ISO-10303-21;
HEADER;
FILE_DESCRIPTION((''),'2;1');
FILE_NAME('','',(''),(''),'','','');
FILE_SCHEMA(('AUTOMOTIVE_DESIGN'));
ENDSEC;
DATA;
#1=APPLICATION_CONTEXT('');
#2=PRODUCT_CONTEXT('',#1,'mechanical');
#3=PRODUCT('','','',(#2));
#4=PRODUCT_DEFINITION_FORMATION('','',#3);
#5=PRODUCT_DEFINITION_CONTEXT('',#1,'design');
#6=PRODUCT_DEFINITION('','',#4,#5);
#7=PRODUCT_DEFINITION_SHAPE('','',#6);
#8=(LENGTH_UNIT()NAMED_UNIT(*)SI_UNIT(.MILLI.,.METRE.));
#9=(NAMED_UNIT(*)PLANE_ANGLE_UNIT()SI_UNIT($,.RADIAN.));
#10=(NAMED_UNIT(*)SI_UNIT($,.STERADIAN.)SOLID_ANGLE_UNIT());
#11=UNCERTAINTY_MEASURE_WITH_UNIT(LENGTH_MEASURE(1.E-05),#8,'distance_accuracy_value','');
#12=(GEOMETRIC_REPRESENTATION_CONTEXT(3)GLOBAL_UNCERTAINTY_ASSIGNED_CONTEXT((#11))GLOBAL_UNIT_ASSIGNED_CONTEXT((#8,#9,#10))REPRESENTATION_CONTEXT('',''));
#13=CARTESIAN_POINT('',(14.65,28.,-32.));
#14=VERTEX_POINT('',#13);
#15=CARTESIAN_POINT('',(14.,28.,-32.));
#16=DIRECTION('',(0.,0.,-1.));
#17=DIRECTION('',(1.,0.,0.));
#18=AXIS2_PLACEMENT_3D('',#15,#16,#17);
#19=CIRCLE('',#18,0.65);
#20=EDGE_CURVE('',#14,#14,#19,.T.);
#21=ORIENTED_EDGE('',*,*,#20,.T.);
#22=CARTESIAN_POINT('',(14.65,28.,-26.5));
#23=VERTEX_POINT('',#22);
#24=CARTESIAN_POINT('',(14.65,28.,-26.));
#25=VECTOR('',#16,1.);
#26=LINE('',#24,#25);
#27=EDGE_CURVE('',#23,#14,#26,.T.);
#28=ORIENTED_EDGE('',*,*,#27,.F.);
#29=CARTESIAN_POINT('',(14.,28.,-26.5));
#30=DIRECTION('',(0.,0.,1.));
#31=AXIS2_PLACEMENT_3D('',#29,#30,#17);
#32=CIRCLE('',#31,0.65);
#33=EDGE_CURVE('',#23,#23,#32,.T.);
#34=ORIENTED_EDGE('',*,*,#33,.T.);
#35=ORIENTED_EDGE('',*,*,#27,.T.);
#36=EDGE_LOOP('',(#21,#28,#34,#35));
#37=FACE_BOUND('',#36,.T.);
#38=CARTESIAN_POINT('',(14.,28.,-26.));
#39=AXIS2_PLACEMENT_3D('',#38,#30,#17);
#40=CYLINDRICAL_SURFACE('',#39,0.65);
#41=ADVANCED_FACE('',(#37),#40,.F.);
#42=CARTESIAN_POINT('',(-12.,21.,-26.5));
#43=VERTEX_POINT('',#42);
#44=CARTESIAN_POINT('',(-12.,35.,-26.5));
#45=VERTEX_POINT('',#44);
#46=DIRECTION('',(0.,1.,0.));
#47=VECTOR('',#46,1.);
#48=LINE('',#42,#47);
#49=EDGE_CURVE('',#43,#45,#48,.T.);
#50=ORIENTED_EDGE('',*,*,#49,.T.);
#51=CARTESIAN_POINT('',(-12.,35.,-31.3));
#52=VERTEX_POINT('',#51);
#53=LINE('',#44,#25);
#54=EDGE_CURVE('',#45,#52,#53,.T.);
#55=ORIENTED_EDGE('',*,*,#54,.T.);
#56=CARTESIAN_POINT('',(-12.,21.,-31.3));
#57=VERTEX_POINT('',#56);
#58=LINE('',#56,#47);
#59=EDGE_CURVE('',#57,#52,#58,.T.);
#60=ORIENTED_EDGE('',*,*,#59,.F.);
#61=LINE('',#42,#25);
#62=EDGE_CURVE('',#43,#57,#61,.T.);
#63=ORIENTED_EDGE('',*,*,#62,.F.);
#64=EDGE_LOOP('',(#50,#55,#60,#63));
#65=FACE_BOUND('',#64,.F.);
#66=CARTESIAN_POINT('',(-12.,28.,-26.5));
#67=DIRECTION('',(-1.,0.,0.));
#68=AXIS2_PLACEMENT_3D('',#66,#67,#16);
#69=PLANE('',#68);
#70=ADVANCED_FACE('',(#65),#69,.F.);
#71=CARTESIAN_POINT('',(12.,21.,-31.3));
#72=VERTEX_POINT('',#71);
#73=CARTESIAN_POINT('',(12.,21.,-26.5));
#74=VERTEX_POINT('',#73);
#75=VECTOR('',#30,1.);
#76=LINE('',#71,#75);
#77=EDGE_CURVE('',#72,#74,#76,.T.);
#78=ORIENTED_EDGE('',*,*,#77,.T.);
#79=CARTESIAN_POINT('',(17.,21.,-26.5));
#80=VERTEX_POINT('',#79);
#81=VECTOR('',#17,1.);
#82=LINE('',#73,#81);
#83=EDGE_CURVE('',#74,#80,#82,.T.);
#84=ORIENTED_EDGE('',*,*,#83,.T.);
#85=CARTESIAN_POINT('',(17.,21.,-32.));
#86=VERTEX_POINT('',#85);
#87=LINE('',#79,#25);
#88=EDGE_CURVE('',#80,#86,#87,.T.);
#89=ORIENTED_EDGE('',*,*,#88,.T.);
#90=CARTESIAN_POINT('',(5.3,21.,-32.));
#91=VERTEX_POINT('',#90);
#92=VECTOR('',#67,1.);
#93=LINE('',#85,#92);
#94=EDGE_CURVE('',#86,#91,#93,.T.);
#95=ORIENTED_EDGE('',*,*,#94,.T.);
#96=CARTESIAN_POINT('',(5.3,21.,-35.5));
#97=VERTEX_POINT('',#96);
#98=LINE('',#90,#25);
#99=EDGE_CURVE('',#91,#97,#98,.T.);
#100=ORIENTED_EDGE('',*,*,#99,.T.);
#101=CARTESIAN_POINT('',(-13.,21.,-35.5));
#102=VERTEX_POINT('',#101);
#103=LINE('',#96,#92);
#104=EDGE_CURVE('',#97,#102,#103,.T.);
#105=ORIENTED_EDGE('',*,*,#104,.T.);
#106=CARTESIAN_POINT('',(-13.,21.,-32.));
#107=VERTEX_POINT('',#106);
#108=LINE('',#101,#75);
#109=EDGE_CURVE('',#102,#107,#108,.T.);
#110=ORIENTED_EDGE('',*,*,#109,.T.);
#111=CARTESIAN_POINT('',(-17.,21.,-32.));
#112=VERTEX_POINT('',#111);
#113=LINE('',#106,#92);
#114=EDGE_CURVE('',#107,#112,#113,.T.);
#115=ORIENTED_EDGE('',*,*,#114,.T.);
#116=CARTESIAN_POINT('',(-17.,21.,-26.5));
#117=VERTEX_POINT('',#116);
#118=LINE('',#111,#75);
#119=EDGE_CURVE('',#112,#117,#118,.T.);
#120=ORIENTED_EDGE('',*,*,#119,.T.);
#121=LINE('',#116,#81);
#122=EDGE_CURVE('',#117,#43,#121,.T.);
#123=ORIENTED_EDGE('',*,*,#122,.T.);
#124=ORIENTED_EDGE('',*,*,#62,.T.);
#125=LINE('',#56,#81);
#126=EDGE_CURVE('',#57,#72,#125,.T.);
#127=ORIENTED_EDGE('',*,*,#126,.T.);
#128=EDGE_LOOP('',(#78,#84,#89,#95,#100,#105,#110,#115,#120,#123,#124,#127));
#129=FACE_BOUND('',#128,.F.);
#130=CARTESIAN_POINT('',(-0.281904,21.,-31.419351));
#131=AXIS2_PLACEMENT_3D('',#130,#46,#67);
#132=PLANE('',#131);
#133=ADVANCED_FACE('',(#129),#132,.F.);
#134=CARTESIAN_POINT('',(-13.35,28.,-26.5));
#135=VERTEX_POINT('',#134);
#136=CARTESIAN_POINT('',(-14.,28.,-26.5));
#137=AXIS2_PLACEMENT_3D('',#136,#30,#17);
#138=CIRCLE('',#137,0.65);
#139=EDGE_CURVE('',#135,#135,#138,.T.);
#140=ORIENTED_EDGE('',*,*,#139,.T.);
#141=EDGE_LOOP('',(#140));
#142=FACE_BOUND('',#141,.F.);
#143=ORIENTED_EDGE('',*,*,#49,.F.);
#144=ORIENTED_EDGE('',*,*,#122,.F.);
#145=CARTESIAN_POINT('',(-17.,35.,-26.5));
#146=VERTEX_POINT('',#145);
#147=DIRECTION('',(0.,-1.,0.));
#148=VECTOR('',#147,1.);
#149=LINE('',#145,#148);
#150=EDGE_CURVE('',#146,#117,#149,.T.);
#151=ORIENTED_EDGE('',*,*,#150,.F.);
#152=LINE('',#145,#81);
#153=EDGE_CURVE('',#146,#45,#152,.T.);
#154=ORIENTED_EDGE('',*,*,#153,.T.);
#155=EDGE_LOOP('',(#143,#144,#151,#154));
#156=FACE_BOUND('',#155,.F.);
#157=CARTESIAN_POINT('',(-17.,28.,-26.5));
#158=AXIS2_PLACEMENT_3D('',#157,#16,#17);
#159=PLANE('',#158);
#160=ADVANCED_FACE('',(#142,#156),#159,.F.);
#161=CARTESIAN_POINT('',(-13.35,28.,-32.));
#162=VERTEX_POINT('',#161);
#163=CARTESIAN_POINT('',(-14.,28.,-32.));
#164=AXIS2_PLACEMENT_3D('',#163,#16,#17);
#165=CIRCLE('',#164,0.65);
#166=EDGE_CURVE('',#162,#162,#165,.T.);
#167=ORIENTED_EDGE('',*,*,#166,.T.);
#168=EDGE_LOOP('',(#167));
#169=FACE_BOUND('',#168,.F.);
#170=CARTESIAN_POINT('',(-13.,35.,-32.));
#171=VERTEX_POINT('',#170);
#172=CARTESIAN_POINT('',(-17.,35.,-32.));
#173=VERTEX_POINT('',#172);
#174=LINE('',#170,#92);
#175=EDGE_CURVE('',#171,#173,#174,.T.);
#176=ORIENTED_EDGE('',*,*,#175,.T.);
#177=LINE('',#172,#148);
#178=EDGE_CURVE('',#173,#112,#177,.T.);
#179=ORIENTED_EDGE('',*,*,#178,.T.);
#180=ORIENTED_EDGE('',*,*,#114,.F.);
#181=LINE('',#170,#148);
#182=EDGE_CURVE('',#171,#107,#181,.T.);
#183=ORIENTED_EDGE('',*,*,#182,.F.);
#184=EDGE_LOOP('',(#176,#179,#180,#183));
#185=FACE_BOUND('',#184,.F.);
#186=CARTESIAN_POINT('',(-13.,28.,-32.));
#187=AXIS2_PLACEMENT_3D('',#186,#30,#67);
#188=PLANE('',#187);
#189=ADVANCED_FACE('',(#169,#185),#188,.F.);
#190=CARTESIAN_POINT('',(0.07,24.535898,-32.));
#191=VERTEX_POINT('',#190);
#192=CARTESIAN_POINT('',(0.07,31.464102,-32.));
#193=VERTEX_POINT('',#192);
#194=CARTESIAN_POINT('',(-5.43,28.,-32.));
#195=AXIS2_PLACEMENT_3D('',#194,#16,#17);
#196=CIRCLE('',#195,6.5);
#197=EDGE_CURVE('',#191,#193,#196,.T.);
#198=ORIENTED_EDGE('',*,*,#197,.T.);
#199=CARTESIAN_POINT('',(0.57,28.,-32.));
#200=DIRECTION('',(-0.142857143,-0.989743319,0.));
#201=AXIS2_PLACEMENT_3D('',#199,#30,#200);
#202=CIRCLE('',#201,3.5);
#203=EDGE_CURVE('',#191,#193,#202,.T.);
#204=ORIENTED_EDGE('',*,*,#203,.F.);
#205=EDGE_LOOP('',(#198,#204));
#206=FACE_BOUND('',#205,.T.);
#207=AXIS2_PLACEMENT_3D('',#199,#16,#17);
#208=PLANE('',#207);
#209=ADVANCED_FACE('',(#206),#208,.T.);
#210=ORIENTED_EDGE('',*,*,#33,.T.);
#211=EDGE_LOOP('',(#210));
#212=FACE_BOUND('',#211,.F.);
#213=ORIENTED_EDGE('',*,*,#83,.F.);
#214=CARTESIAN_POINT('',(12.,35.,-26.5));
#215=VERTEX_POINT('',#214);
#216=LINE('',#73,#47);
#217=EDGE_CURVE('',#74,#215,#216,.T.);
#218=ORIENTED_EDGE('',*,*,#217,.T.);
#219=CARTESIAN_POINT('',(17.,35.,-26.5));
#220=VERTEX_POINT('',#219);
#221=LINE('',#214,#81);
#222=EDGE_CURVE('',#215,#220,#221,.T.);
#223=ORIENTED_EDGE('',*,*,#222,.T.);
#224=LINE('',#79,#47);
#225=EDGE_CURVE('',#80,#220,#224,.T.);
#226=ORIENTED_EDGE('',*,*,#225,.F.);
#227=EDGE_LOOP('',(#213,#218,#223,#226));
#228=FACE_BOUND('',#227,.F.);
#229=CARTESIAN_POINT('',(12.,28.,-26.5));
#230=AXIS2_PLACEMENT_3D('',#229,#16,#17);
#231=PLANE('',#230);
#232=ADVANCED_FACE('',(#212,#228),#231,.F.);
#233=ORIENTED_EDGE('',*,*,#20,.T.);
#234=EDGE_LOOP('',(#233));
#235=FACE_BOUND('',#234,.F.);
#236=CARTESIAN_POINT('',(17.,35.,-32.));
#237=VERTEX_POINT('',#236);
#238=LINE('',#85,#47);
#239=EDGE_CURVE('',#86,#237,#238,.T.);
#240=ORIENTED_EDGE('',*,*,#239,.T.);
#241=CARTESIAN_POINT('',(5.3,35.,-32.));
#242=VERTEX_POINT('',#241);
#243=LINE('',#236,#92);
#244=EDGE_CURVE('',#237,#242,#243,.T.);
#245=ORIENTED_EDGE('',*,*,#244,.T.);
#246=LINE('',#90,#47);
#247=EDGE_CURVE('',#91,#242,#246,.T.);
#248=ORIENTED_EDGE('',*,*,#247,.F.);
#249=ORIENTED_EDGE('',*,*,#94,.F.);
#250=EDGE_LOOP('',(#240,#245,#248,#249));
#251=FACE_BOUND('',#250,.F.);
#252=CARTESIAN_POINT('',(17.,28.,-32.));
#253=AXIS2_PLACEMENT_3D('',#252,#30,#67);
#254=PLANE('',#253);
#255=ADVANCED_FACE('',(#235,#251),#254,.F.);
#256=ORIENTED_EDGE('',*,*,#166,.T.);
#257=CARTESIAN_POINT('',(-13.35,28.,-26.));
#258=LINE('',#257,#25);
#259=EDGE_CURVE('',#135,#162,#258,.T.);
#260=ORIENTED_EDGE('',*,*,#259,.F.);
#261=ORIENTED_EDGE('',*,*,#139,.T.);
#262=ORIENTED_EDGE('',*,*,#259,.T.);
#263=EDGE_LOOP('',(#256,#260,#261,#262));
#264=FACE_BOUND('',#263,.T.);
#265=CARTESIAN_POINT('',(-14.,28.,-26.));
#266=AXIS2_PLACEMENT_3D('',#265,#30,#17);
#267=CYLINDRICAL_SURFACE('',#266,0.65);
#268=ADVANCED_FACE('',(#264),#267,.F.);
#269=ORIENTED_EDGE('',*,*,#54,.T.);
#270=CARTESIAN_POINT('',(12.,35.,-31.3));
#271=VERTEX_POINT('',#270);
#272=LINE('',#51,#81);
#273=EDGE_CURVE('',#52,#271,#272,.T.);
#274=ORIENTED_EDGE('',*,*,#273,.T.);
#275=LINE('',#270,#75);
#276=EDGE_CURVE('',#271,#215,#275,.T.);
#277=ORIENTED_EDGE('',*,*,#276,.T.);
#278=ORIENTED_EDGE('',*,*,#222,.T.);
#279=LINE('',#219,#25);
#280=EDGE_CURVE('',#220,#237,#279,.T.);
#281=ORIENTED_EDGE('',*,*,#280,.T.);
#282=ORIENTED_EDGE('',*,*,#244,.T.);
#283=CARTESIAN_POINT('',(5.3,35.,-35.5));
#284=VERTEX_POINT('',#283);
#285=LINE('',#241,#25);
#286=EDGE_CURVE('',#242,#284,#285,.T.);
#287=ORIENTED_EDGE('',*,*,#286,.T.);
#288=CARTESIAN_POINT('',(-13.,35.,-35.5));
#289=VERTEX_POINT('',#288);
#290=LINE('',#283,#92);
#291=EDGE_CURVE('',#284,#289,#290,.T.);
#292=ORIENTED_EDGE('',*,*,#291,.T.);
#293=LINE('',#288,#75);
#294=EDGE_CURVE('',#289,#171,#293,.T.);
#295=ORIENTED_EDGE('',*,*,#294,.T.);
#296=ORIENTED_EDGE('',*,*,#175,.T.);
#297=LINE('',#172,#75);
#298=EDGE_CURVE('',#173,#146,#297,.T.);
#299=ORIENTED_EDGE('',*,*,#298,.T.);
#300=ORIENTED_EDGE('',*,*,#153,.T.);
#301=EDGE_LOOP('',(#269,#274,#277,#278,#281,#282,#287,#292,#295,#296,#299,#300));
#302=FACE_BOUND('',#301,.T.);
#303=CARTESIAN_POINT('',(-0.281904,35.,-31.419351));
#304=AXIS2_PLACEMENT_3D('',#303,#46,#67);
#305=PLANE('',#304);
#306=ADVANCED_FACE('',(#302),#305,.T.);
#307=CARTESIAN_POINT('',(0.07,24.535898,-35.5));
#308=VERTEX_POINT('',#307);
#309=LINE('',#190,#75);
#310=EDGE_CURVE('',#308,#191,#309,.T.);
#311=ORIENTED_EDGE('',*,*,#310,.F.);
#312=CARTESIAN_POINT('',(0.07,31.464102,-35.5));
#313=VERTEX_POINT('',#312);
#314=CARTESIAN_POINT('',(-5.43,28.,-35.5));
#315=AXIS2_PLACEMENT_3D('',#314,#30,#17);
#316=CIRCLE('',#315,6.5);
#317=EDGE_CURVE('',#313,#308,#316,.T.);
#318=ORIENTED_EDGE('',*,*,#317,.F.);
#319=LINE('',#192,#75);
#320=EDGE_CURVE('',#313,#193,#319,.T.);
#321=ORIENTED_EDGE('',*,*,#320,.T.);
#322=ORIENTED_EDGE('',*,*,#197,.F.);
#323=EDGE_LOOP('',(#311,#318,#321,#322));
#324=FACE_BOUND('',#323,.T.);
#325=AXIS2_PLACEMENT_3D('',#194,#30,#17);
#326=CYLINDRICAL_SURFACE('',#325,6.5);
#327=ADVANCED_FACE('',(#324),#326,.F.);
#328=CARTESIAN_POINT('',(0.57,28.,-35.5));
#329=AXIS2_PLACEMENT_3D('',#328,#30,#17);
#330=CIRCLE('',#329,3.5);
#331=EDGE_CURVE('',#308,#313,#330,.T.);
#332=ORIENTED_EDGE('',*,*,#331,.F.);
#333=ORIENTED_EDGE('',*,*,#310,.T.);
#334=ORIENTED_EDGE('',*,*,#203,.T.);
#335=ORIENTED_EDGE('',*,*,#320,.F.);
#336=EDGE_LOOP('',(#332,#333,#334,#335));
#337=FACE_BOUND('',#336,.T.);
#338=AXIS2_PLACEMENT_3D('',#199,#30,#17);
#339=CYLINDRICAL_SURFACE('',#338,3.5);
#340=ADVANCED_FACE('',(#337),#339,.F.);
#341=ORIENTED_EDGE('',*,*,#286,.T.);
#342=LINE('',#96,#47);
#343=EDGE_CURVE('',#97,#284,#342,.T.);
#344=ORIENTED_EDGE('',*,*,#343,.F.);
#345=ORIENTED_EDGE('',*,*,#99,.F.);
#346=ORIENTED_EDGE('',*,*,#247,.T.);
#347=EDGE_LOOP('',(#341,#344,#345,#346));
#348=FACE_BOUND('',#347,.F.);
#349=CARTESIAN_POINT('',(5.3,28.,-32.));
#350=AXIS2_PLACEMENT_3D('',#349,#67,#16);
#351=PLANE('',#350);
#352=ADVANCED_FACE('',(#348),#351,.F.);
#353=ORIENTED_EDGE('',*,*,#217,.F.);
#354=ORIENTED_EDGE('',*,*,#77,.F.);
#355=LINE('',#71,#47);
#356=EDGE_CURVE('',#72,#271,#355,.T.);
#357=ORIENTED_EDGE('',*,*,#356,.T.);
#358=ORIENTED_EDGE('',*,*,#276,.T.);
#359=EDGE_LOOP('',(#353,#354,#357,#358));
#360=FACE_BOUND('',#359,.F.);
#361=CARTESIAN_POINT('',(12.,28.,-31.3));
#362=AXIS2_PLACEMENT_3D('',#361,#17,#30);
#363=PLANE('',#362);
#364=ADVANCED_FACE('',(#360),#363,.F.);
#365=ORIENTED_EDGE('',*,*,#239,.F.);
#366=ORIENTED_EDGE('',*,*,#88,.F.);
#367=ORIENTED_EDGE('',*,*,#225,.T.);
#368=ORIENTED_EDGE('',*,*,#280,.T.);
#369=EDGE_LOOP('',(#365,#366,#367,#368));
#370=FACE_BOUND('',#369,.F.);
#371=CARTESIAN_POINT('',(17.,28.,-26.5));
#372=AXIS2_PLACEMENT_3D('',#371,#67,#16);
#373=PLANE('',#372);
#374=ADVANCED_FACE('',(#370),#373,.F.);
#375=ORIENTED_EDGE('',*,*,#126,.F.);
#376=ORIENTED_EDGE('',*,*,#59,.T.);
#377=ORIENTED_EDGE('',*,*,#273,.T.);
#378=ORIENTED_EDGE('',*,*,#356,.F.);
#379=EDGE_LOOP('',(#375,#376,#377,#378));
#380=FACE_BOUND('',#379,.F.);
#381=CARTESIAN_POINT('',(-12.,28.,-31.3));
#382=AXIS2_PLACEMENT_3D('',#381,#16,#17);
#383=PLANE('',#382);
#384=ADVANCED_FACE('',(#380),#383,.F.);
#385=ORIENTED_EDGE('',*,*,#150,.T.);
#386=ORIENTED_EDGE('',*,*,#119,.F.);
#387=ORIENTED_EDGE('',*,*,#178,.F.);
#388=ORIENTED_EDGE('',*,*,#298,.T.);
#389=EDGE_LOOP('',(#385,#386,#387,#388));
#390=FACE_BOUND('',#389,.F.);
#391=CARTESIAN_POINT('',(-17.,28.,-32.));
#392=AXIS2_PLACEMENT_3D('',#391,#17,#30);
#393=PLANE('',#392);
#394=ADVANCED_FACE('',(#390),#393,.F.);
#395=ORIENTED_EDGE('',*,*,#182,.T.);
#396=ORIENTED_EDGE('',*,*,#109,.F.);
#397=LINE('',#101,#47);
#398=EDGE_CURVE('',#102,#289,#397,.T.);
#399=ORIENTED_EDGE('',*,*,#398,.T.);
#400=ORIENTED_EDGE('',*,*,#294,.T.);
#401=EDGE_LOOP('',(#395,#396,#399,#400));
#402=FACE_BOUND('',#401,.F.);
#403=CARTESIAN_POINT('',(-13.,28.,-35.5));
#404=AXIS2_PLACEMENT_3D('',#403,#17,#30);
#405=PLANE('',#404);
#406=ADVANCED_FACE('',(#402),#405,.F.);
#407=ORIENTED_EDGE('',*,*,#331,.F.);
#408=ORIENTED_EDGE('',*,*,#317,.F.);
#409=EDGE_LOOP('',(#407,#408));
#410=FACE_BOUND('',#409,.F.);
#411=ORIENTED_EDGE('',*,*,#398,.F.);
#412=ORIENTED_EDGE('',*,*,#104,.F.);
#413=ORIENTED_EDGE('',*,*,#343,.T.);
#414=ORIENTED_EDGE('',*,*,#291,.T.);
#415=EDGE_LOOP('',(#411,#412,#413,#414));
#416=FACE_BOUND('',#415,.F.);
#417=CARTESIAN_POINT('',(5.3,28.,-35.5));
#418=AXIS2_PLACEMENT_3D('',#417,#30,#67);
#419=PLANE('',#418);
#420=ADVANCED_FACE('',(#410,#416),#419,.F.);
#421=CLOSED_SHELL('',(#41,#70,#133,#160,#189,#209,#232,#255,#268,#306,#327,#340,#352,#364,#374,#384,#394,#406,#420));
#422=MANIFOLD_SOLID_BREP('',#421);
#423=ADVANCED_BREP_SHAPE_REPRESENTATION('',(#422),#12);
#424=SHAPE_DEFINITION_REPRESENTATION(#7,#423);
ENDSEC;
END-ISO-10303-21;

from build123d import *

# Parameters (mm, degrees)
CYLINDER001_R          = 3.5
CYLINDER001_DEPTH      = 4
CYLINDER001_ROLL_ANGLE = 90
CYLINDER003_R          = 0.65
CYLINDER003_DEPTH      = 6
CYLINDER003_ROLL_ANGLE = 90
CYLINDER_R             = 6.5
CYLINDER_DEPTH         = 4
CYLINDER_ROLL_ANGLE    = 90
CYLINDER002_R          = 0.65
CYLINDER002_DEPTH      = 6
CYLINDER002_ROLL_ANGLE = 90
PAD002_DEPTH           = 7
CUT003_ROLL_ANGLE      = 90


with BuildPart() as cylinder001:
    # Cylinder001 → Cylinder001 (new body)
    with BuildSketch(Plane.XY):
        Circle(CYLINDER001_R)
    extrude(amount=CYLINDER001_DEPTH)


with BuildPart() as cylinder001_1:
    # Cylinder001 roll: moved
    add(cylinder001.part.rotate(Axis((0, 0, 0), (1, 0, 0)), CYLINDER001_ROLL_ANGLE))


with BuildPart() as cylinder001_2:
    # Cylinder001 placement: moved
    add(cylinder001_1.part.moved(Location((0.57, -7, 0))))


with BuildPart() as cylinder003:
    # Cylinder003 → Cylinder003 (new body)
    with BuildSketch(Plane.XY):
        Circle(CYLINDER003_R)
    extrude(amount=CYLINDER003_DEPTH)


with BuildPart() as cylinder003_1:
    # Cylinder003 roll: moved
    add(cylinder003.part.rotate(Axis((0, 0, 0), (1, 0, 0)), CYLINDER003_ROLL_ANGLE))


with BuildPart() as cylinder003_2:
    # Cylinder003 placement: moved
    add(cylinder003_1.part.moved(Location((14, -1, 0))))


with BuildPart() as cylinder:
    # Cylinder → Cylinder (new body)
    with BuildSketch(Plane.XY):
        Circle(CYLINDER_R)
    extrude(amount=CYLINDER_DEPTH)


with BuildPart() as cylinder_1:
    # Cylinder roll: moved
    add(cylinder.part.rotate(Axis((0, 0, 0), (1, 0, 0)), CYLINDER_ROLL_ANGLE))


with BuildPart() as cylinder_2:
    # Cylinder placement: moved
    add(cylinder_1.part.moved(Location((-5.43, -7, 0))))


with BuildPart() as fusion001:
    # Cylinder002 → Cylinder002 (new body)
    with BuildSketch(Plane.XY):
        Circle(CYLINDER002_R)
    extrude(amount=CYLINDER002_DEPTH)


with BuildPart() as fusion001_1:
    # Cylinder002 roll: moved
    add(fusion001.part.rotate(Axis((0, 0, 0), (1, 0, 0)), CYLINDER002_ROLL_ANGLE))


with BuildPart() as fusion001_2:
    # Cylinder002 placement: moved
    add(fusion001_1.part.moved(Location((-14, -1, 0))))

    # Fusion001: union Cylinder001, Cylinder003, Cylinder
    add(cylinder001_2.part)
    add(cylinder003_2.part)
    add(cylinder_2.part)


with BuildPart() as cut003:
    # Sketch → Pad002 (new body, symmetric)
    with BuildSketch(Plane.XY):
        Polygon((-17, -1.5), (-12, -1.5), (-12, -6.3), (12, -6.3), (12, -1.5), (17, -1.5), (17, -7), (5.3, -7), (5.3, -10.5), (-13, -10.5), (-13, -7), (-17, -7), align=None)
    extrude(amount=PAD002_DEPTH, both=True)

    # Cut003: cut Fusion001
    add(fusion001_2.part, mode=Mode.SUBTRACT)


with BuildPart() as cut003_1:
    # Cut003 roll: moved
    add(cut003.part.rotate(Axis((0, 0, 0), (1, 0, 0)), CUT003_ROLL_ANGLE))


with BuildPart() as cut003_2:
    # Cut003 placement: moved
    add(cut003_1.part.moved(Location((0, 28, -25))))


solid = cut003_2.part
